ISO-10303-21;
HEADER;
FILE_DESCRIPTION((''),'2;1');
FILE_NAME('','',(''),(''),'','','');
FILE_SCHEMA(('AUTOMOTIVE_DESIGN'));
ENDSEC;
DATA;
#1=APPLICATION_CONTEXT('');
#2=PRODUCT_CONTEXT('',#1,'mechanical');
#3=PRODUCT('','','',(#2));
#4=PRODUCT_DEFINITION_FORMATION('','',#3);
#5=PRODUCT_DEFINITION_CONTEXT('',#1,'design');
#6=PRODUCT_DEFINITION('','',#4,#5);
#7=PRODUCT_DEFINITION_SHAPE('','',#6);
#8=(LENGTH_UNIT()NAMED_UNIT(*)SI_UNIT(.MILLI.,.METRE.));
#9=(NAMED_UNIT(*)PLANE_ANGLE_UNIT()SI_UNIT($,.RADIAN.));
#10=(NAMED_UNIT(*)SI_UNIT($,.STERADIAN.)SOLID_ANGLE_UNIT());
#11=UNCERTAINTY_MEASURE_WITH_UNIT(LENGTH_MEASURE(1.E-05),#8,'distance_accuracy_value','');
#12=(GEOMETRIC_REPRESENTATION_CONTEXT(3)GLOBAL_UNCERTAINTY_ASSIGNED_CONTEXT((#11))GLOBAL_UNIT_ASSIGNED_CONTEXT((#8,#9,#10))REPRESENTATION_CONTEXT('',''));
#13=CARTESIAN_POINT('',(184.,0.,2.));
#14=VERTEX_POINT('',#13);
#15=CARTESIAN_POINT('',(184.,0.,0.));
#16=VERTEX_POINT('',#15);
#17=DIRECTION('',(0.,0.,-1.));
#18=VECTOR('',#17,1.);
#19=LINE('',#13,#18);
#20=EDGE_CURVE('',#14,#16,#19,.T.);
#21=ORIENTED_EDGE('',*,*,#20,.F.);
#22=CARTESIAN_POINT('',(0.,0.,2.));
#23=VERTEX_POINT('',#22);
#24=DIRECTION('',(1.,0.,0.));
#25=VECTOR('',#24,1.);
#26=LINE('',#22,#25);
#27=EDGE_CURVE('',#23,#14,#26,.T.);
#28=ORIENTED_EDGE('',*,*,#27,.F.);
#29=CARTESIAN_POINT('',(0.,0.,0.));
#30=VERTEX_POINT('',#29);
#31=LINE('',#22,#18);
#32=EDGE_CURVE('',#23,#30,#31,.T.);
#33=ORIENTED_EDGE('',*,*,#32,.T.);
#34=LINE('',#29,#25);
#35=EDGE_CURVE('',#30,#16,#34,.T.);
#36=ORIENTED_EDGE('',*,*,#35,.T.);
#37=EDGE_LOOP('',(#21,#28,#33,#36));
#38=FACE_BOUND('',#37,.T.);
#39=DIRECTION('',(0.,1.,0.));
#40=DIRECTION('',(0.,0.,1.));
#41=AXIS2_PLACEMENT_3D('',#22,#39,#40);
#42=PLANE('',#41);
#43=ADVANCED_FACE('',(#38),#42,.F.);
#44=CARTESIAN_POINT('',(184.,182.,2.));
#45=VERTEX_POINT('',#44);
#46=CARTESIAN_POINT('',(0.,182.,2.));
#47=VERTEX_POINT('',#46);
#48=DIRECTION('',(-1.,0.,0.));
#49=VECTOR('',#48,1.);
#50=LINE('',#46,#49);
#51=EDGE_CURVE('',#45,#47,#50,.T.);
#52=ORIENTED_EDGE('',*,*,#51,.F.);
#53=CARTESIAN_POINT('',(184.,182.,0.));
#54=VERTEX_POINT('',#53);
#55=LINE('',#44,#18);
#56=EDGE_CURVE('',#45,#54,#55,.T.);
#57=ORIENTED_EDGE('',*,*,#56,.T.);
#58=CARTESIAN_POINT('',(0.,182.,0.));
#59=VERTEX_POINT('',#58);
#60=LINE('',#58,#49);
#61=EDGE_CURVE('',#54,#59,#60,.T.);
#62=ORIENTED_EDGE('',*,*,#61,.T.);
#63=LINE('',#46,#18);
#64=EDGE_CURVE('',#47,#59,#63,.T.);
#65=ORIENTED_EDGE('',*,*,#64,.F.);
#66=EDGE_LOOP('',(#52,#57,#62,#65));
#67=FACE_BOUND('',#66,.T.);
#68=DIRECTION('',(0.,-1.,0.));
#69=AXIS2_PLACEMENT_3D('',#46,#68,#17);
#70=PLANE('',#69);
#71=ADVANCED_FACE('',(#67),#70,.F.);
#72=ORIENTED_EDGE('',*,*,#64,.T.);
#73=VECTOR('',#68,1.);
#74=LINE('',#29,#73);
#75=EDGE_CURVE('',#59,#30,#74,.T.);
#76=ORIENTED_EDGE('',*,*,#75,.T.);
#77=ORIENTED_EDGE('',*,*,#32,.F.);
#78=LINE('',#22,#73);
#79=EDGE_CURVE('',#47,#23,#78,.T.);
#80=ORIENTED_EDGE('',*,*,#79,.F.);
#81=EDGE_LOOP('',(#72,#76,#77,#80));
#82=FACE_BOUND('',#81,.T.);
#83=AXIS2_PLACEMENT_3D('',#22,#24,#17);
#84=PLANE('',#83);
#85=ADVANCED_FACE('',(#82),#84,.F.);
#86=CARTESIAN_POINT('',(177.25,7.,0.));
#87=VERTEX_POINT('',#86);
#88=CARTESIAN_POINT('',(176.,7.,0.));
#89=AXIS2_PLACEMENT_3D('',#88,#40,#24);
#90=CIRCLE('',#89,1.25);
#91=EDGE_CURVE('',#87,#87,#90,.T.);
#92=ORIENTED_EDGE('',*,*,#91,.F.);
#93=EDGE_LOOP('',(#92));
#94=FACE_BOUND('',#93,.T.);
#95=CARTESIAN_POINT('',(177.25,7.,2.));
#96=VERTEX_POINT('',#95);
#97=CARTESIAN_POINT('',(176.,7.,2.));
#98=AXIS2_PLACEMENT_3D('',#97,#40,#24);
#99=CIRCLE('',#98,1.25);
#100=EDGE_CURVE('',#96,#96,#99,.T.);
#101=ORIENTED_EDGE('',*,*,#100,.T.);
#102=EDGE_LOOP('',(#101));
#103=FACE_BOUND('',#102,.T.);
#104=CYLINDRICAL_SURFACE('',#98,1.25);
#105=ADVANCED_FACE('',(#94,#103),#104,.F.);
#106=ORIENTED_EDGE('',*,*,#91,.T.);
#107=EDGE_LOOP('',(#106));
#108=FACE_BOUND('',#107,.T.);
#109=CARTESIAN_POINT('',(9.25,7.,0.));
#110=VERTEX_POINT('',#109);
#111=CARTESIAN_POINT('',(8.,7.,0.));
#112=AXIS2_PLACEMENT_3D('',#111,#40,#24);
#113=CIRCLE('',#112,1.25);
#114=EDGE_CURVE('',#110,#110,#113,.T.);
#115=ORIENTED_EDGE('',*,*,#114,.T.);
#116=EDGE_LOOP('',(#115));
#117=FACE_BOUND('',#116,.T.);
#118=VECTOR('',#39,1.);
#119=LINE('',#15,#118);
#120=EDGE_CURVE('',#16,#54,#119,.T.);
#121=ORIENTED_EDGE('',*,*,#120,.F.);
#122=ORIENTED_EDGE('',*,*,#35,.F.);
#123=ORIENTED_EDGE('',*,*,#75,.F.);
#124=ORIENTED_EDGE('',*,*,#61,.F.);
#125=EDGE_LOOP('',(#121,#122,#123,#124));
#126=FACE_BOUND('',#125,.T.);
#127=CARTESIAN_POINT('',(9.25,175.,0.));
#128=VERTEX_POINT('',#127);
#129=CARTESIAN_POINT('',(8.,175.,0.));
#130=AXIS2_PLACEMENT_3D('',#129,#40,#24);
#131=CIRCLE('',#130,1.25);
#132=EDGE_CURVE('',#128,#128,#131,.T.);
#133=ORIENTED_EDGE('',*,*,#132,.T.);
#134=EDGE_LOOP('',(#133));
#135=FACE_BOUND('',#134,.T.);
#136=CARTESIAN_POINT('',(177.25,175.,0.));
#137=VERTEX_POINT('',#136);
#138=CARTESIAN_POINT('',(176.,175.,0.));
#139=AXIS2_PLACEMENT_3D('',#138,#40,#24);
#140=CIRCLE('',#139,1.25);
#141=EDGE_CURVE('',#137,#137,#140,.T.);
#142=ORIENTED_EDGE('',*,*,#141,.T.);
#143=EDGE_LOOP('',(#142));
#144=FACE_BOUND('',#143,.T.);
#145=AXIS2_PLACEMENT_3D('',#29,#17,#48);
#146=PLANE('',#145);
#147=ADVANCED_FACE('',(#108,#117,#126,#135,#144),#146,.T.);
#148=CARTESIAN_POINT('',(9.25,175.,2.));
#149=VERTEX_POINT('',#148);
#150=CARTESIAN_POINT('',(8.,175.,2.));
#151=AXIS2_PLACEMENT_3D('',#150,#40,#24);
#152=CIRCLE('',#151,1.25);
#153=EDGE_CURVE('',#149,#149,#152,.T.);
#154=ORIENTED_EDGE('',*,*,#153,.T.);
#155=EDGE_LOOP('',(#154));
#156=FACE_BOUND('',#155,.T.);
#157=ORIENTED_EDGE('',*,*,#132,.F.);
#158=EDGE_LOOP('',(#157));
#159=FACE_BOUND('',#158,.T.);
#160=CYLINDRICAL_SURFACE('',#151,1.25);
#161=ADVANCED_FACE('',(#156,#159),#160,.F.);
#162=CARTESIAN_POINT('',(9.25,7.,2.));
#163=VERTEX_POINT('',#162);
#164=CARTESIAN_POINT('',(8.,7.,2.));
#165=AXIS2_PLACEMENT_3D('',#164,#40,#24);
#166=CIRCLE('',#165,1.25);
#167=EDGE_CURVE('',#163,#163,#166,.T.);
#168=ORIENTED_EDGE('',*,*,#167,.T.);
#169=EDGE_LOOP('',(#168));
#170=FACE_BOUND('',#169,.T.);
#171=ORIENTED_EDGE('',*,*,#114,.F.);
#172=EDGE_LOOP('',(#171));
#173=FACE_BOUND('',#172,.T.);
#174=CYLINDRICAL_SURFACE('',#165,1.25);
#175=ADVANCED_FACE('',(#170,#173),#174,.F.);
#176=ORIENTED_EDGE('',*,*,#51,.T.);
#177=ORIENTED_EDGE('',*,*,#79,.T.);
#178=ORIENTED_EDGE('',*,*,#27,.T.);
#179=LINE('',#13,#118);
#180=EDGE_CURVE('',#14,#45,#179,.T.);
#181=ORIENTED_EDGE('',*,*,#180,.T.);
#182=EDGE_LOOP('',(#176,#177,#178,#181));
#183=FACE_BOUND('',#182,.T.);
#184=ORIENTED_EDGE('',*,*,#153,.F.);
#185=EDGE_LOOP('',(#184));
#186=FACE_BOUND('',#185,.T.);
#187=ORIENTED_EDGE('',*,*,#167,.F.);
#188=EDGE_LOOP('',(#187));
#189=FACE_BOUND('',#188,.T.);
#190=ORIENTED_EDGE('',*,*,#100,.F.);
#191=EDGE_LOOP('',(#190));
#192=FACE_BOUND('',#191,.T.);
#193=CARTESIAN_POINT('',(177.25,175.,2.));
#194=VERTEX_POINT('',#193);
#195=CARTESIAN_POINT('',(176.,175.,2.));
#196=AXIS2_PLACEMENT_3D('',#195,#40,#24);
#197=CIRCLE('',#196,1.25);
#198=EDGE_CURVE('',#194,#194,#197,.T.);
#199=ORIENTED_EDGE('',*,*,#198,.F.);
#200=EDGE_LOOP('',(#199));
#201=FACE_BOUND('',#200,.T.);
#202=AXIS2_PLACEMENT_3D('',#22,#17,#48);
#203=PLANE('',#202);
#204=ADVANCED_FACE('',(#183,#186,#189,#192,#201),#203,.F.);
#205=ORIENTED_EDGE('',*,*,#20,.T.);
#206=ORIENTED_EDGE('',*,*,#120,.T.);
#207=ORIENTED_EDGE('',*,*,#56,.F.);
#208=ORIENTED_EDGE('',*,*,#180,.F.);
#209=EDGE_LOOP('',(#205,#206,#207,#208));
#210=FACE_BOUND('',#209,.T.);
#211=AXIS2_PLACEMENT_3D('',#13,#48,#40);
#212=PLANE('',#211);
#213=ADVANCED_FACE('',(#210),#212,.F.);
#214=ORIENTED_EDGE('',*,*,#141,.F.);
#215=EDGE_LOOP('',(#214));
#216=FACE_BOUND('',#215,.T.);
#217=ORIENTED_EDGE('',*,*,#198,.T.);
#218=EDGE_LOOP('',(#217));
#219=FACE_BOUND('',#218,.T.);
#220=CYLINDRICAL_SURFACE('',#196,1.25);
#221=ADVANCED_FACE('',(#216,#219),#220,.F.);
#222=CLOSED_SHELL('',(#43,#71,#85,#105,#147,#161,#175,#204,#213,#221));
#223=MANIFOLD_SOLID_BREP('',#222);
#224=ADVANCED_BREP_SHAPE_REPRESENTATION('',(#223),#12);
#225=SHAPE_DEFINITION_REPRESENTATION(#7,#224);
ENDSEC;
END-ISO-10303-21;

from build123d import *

# Parameters (mm, degrees)
SKETCH_1_W      = 184
SKETCH_1_H      = 182
EXTRUDE_1_DEPTH = 2
M3X0_5_1_D      = 2.5


with BuildPart() as part:
    # ｽｹｯﾁ1 → ﾎﾞｽ - 押し出し1 (new body)
    with BuildSketch(Plane.XY):
        with Locations((92, 91)):
            Rectangle(SKETCH_1_W, SKETCH_1_H)
    extrude(amount=EXTRUDE_1_DEPTH)

    # M3x0.5 ねじ穴1 (through all)
    with Locations(Plane.XY.offset(2)):
        with Locations((8, 175), (8, 7), (176, 7), (176, 175)):
            Hole(M3X0_5_1_D / 2)


solid = part.part
